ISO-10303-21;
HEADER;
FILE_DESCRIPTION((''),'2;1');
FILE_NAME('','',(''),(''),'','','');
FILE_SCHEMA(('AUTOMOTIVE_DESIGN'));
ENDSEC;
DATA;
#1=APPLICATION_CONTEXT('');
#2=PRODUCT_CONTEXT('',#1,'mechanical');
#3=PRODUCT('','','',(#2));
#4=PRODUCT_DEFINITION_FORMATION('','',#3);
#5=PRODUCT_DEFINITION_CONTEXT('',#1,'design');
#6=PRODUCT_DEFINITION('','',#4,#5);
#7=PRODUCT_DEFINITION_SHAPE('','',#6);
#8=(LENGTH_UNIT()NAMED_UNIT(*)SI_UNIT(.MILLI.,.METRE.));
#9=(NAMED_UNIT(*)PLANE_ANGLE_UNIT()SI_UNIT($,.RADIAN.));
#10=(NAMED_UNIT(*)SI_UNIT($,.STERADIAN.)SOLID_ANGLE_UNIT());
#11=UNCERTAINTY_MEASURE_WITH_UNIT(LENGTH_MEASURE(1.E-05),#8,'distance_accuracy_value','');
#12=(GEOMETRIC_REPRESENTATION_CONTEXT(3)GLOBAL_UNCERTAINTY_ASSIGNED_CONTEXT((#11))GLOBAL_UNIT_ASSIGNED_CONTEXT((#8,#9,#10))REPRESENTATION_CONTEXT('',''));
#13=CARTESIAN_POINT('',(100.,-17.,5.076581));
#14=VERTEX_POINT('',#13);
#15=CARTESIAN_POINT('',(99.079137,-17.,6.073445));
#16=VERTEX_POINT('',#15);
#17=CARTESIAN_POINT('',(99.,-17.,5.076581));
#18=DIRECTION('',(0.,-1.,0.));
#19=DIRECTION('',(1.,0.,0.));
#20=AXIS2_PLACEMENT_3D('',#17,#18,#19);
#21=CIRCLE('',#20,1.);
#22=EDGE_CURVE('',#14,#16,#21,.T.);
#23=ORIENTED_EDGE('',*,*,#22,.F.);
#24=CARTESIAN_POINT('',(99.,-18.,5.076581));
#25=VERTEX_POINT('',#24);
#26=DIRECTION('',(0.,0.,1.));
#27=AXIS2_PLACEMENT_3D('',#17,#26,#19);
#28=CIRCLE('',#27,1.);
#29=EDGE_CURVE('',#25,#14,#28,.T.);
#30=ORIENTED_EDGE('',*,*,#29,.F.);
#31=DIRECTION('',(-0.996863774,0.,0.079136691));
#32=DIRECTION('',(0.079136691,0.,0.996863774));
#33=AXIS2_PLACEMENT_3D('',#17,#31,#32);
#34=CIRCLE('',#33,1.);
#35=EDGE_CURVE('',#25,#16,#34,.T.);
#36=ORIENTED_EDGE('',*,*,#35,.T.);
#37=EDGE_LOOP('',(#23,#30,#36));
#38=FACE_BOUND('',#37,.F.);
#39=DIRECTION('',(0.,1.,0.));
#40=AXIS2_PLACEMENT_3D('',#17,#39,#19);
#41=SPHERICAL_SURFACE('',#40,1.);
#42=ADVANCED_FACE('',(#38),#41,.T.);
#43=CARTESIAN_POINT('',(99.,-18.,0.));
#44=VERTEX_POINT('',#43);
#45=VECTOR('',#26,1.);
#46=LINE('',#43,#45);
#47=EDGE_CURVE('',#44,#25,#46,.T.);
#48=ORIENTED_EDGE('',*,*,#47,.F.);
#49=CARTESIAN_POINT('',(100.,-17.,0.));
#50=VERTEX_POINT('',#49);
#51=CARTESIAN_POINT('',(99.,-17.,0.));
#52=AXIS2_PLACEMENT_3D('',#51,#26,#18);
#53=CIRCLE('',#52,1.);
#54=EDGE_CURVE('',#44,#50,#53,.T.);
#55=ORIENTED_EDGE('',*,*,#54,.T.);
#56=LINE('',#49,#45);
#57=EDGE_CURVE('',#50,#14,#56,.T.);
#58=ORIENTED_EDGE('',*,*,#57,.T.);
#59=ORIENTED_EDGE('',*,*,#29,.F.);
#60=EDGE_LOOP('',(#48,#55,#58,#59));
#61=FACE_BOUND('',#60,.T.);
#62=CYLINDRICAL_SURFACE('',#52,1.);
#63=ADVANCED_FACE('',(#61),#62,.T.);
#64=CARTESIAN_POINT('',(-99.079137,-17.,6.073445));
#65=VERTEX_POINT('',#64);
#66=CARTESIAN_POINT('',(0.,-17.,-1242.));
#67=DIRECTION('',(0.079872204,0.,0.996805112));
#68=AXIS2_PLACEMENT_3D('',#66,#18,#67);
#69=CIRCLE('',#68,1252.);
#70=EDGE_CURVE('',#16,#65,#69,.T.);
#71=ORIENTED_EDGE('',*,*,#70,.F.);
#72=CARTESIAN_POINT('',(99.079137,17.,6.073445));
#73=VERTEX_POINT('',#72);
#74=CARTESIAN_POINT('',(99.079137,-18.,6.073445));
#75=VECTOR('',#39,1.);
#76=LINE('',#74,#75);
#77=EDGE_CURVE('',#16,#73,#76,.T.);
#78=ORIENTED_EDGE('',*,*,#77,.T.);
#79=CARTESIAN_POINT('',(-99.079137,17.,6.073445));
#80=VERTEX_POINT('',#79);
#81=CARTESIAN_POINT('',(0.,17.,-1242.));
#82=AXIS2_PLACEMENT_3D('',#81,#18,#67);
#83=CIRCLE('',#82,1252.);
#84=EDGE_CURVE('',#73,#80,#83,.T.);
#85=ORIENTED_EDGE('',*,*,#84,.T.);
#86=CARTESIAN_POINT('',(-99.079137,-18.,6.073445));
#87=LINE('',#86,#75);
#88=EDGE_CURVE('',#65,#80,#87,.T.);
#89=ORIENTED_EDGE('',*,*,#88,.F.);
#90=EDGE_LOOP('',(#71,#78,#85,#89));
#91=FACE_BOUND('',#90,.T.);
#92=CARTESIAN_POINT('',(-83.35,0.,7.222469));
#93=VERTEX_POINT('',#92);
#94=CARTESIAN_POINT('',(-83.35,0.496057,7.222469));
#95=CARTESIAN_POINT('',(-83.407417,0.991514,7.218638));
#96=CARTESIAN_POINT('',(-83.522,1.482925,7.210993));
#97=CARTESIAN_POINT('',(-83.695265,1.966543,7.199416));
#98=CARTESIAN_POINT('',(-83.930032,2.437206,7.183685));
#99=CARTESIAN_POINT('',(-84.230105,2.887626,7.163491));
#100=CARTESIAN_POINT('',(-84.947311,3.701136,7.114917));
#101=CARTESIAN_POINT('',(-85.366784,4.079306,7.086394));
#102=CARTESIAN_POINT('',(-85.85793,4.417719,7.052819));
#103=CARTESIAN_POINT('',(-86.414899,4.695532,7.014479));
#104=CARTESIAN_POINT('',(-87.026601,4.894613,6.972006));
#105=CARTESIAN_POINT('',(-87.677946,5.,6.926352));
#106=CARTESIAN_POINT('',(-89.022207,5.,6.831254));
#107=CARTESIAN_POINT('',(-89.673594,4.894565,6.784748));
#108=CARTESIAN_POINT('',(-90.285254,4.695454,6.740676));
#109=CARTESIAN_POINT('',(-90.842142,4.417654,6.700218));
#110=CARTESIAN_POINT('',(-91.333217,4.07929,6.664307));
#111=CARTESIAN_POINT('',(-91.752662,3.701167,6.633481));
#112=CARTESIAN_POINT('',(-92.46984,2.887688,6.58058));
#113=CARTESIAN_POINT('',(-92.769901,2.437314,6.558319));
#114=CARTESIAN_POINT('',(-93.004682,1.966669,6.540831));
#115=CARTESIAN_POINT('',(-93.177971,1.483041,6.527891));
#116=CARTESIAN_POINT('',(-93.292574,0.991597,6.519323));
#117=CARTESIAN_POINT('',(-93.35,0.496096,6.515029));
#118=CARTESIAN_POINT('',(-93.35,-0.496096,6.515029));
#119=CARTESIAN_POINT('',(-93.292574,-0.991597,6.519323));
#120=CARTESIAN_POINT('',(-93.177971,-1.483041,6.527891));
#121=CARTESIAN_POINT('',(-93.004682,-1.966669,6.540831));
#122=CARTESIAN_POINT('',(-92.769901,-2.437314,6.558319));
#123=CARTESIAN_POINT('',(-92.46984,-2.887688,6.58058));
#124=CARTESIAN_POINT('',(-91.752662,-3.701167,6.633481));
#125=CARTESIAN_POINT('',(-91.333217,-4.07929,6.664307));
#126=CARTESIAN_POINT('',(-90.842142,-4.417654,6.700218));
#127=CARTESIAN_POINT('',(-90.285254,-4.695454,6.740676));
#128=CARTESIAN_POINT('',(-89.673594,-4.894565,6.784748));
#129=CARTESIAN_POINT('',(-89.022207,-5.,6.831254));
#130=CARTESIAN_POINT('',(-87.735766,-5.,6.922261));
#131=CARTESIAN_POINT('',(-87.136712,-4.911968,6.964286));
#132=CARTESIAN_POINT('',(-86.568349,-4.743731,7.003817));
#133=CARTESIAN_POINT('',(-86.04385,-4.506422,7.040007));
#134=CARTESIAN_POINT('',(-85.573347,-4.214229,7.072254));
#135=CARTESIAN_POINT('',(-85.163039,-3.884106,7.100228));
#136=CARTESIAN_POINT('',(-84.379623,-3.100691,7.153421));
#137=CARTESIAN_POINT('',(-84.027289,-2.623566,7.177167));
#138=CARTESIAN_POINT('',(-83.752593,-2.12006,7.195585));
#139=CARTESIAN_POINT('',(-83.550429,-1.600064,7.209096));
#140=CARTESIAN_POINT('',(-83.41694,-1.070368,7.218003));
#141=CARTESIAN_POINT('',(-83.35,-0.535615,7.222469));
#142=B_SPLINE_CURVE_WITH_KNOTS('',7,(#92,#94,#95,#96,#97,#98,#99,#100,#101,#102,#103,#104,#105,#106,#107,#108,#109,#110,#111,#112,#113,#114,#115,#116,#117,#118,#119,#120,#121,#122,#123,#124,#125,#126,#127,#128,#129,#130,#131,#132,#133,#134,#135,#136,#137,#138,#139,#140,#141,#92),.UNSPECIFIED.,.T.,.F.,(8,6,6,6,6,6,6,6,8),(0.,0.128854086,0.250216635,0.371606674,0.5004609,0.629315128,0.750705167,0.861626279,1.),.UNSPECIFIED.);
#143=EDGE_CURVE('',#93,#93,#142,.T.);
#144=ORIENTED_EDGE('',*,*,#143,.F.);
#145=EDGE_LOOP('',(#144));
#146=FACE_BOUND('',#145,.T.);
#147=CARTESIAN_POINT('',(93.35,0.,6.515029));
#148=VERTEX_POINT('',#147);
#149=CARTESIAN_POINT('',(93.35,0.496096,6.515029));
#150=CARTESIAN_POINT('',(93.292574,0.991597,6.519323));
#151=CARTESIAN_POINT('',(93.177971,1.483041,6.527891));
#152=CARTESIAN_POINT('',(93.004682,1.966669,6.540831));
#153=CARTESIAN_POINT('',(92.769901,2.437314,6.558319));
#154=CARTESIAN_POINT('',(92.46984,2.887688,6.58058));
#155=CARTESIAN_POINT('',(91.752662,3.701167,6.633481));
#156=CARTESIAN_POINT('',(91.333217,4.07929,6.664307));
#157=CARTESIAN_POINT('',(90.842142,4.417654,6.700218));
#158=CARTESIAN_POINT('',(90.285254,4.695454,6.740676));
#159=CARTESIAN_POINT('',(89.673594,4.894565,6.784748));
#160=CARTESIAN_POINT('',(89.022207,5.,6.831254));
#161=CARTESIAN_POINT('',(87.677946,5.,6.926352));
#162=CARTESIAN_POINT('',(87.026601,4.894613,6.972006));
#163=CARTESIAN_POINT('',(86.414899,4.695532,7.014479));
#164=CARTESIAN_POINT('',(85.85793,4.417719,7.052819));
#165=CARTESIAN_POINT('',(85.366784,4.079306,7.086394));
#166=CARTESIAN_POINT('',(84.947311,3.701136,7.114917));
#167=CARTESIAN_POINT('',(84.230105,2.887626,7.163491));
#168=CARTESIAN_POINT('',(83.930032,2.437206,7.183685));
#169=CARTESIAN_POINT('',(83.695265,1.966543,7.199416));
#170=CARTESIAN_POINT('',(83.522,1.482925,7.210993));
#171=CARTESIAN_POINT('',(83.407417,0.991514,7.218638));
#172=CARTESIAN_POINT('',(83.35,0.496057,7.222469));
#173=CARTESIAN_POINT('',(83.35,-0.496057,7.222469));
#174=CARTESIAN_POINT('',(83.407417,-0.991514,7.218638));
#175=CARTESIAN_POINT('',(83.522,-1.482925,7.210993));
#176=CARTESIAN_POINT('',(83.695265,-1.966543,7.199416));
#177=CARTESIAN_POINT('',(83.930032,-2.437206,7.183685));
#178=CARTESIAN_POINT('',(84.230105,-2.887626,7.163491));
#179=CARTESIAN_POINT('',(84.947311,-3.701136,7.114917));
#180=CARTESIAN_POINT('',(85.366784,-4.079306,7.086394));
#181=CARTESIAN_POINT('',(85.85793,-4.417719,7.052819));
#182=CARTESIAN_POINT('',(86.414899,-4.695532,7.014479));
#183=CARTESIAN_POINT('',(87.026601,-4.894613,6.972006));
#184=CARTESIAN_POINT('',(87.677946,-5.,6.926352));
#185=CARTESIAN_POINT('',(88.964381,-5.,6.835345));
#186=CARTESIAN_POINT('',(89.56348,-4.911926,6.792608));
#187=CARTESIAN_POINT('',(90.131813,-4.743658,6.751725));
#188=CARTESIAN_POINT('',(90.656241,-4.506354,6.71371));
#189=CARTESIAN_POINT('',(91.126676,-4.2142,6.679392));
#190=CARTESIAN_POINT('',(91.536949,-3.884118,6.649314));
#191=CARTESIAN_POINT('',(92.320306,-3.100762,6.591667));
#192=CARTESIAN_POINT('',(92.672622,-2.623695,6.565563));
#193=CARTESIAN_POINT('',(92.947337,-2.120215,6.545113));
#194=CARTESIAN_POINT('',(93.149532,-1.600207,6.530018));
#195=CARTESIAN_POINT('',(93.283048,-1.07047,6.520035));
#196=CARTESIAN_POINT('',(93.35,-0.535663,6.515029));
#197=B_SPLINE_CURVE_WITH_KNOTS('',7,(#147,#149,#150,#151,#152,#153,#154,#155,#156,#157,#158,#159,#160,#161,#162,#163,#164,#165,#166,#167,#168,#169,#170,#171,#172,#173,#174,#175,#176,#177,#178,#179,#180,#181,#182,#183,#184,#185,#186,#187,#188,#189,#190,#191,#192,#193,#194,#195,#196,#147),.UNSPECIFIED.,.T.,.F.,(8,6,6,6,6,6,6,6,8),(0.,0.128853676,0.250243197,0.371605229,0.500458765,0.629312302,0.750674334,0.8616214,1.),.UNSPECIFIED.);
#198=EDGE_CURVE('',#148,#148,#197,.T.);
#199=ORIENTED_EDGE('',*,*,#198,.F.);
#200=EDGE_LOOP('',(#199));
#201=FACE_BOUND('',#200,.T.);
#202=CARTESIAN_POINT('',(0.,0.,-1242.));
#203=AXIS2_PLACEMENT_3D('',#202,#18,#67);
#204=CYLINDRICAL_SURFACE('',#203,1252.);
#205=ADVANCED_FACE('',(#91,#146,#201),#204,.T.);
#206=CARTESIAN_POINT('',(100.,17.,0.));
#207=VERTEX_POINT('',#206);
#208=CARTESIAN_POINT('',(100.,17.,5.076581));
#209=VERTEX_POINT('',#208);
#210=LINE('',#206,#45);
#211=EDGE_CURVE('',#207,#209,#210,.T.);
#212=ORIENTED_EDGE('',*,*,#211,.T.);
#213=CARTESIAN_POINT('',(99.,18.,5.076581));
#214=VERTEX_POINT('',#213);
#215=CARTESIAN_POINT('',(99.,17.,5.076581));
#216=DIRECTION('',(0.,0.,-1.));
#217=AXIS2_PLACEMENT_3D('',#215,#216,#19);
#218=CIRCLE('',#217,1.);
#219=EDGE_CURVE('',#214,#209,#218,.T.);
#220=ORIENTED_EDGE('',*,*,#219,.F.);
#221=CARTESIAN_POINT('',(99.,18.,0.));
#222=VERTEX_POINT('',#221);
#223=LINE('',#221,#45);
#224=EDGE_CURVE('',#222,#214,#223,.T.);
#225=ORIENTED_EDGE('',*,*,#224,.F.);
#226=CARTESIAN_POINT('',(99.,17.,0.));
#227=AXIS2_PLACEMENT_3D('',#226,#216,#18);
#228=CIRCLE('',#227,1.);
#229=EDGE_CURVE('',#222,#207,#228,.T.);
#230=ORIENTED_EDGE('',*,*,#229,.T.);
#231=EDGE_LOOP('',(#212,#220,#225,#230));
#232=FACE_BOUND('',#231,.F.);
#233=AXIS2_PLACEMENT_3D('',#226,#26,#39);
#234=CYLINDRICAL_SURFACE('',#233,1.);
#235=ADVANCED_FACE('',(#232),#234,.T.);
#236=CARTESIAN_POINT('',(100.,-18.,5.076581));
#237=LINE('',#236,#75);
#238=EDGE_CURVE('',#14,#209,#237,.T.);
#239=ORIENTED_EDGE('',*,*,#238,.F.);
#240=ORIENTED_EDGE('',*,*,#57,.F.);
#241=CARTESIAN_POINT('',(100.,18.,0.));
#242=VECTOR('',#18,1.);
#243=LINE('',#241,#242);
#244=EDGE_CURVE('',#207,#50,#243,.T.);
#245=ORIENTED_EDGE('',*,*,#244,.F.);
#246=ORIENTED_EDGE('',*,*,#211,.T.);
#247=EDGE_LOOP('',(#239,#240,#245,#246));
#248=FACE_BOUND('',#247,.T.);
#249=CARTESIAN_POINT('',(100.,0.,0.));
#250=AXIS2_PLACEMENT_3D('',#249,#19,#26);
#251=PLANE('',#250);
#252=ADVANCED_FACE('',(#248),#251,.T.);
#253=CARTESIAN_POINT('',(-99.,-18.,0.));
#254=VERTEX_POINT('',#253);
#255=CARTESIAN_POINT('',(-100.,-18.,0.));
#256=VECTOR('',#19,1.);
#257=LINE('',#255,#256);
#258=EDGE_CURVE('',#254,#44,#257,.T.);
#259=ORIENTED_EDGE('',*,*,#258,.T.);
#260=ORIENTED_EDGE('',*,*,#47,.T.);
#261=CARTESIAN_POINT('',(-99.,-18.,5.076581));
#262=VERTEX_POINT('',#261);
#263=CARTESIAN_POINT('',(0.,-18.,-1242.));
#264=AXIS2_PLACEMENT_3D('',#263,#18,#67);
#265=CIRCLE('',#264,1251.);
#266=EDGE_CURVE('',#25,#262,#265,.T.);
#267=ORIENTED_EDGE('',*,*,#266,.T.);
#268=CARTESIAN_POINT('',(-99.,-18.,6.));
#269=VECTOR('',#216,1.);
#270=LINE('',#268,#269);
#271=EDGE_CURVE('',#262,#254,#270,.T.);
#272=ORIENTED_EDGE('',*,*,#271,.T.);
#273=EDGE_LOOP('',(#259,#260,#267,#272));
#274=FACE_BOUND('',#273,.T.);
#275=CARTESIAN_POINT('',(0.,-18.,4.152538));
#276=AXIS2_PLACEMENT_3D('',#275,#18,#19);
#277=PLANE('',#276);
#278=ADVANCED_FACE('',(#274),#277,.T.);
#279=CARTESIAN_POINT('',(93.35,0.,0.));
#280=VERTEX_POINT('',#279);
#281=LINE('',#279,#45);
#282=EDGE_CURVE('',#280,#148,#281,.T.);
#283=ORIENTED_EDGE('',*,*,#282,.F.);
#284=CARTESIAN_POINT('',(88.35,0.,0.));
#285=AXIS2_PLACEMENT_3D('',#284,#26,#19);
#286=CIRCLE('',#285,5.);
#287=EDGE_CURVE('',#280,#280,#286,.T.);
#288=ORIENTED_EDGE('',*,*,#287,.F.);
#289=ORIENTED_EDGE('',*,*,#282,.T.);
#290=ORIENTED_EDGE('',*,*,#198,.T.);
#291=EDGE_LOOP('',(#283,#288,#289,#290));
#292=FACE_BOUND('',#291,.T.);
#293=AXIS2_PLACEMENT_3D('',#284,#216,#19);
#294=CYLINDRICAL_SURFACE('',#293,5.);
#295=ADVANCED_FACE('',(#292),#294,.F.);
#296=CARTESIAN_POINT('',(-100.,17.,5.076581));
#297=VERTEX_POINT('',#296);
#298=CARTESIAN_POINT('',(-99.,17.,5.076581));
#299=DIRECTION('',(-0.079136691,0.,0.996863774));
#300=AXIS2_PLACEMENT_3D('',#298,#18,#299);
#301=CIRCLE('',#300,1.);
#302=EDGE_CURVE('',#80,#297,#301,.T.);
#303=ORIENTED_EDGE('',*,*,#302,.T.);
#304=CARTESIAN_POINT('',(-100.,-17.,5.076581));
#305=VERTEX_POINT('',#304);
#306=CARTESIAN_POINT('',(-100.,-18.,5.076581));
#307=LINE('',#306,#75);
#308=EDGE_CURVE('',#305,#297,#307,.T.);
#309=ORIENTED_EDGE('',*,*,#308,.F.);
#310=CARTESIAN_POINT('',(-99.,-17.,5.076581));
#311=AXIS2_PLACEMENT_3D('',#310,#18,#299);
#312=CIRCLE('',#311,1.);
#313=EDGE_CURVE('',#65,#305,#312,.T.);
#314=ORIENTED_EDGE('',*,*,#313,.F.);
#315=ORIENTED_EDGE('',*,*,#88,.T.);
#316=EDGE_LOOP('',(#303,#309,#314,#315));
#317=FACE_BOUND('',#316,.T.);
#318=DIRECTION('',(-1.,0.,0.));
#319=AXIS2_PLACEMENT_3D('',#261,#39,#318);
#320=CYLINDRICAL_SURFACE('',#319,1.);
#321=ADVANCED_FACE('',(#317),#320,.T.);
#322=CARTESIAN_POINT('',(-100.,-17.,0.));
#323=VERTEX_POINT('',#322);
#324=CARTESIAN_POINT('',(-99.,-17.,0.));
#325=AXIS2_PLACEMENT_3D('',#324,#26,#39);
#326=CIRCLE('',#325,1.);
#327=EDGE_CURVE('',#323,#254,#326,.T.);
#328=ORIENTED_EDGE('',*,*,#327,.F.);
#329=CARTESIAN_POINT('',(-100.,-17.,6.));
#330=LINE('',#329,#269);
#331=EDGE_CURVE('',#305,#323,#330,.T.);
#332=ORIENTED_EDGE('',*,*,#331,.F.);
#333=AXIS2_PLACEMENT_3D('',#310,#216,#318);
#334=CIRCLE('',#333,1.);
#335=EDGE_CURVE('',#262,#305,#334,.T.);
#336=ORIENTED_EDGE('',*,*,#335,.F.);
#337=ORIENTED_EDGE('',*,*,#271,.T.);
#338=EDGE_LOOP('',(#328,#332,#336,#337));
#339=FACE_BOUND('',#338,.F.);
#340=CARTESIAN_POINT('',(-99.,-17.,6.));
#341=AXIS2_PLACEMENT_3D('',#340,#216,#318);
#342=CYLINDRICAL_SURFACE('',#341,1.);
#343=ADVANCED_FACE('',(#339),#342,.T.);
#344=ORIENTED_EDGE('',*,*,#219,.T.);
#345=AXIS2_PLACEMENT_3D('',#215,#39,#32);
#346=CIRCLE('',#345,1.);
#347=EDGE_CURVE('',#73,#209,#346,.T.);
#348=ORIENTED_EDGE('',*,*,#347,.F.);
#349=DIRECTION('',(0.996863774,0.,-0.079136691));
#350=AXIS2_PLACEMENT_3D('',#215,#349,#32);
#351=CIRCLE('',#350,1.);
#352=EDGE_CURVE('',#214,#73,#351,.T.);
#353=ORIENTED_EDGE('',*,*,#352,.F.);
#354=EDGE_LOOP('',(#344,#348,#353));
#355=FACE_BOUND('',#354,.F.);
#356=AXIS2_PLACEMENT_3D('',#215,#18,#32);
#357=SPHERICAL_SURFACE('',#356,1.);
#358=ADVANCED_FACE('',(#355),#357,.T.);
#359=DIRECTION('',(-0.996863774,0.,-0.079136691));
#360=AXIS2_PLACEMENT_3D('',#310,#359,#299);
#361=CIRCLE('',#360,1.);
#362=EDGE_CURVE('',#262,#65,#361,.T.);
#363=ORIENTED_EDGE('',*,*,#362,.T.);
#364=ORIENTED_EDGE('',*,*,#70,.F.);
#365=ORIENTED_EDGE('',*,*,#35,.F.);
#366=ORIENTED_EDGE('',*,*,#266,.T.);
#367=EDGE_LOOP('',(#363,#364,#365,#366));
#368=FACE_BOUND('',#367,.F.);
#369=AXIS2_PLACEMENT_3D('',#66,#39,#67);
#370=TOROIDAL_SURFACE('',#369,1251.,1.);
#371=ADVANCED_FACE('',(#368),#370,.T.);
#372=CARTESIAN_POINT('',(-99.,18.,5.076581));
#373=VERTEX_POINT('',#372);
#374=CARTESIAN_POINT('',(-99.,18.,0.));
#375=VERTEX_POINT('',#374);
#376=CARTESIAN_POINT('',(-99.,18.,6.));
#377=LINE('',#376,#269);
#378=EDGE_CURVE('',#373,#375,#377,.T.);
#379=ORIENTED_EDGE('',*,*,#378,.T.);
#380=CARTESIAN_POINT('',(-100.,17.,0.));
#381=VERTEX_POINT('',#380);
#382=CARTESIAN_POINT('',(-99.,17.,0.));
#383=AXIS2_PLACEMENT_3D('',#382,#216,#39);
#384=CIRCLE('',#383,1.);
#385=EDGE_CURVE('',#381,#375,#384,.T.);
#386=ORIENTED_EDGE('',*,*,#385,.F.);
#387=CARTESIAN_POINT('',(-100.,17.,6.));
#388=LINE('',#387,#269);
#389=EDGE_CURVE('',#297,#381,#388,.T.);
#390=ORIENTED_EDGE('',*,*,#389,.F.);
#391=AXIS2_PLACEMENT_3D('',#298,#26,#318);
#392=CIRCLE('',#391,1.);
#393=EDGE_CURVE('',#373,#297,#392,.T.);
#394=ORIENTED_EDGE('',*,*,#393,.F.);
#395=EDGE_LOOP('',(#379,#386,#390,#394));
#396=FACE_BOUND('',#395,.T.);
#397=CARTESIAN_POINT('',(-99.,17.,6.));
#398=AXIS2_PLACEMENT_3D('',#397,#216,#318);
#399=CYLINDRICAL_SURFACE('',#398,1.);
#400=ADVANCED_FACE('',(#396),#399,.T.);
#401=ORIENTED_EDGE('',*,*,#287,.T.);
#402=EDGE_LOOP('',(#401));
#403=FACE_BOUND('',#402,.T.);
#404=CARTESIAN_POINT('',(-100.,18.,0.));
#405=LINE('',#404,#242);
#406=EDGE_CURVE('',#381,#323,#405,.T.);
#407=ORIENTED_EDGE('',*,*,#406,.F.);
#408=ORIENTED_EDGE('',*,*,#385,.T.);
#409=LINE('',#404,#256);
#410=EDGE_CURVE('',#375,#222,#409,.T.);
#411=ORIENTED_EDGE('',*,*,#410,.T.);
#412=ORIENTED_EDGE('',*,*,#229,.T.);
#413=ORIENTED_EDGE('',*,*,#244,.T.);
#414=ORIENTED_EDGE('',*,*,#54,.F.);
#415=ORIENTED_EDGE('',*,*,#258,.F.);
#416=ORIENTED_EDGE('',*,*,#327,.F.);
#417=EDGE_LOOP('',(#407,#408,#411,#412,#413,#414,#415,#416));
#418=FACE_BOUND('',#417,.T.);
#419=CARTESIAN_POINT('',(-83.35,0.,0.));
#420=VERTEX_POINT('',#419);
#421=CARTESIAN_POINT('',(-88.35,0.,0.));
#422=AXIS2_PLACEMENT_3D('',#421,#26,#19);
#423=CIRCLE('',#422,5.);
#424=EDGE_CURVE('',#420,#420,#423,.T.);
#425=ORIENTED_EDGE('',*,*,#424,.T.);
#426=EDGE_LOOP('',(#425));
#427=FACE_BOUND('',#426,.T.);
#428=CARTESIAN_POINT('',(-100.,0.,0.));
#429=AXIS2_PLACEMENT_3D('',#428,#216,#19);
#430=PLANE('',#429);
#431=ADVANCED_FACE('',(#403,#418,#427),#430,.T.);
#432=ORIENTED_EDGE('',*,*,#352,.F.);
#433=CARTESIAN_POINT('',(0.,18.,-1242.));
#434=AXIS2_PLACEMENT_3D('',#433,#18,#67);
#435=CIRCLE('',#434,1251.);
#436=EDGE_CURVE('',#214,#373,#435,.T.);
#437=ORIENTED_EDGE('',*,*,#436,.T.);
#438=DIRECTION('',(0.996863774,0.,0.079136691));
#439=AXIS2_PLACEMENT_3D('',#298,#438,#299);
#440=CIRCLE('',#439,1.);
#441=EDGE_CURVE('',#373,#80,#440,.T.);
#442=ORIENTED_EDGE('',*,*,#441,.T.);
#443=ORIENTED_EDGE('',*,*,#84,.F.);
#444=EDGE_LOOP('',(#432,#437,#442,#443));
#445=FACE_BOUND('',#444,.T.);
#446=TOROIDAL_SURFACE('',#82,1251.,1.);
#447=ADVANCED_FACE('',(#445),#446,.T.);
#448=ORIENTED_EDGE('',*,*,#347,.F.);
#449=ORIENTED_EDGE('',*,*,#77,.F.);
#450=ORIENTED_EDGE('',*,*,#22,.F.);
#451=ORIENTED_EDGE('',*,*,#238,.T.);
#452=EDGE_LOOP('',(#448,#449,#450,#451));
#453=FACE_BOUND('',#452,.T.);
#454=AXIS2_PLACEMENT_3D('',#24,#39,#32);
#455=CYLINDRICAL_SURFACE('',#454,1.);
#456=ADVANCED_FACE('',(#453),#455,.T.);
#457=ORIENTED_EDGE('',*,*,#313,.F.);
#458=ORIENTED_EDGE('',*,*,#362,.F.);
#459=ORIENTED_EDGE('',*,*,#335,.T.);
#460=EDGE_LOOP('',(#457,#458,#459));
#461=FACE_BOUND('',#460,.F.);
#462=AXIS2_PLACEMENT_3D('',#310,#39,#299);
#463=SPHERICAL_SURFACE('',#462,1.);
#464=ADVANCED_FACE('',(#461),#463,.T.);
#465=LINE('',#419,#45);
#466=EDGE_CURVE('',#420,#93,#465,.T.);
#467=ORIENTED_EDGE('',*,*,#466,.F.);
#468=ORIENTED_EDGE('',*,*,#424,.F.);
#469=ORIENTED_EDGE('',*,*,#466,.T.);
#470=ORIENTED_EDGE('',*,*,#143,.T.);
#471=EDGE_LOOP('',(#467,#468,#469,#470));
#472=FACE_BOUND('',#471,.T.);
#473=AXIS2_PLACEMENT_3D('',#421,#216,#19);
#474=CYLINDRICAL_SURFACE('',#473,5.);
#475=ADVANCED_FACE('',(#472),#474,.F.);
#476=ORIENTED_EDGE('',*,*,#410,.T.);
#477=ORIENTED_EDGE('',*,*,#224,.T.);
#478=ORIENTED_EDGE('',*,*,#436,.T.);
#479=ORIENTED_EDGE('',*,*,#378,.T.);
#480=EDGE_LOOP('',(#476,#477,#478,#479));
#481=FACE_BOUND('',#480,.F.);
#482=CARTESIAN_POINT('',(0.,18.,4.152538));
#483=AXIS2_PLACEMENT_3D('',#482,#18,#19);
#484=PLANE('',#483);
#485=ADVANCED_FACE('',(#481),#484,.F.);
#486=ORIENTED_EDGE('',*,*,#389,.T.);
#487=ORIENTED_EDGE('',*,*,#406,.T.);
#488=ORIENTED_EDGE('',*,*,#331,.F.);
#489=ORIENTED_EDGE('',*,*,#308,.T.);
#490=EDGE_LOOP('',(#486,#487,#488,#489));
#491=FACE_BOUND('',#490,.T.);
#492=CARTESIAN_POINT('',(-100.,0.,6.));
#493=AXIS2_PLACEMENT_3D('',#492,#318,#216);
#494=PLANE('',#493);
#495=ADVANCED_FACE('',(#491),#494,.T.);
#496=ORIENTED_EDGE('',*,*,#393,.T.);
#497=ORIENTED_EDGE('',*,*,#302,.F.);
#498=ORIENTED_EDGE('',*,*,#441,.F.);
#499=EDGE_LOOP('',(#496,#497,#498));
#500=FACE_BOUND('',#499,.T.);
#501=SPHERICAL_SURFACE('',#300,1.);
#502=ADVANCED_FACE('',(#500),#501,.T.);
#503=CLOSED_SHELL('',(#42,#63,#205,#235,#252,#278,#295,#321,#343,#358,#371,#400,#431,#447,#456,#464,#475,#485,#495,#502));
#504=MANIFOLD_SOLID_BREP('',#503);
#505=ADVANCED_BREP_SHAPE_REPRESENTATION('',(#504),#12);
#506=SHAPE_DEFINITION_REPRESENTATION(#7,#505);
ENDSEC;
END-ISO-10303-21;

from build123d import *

# Parameters (mm, degrees)
F1_DEPTH      = 18
F1_DEPTH_BACK = 18
F2_R          = 5
F3_DEPTH      = 25
F4_R          = 1


with BuildPart() as f1:
    # F0 (on Front) → F1 (new body, two sides)
    with BuildSketch(Plane.XZ) as f1_sk:
        with BuildLine():
            Line((-100, 6), (-100, 0))
            Line((-100, 0), (100, 0))
            Line((100, 0), (100, 6))
            ThreePointArc((100, 6), (0, 10), (-100, 6))
        make_face()
    extrude(amount=F1_DEPTH)
    extrude(f1_sk.sketch, amount=-F1_DEPTH_BACK)

    # F2 (on Top) → F3 (cut)
    with BuildSketch(Plane.XY):
        with Locations((-88.35, 0)):
            Circle(F2_R)
        with Locations((88.35, 0)):
            Circle(F2_R)
    extrude(amount=F3_DEPTH, mode=Mode.SUBTRACT)

    # F4
    f4_edges = [f1.edges().sort_by_distance(p)[0] for p in [
        (-100, 0, 6),
        (0, -18, 10),
        (100, 0, 6),
        (0, 18, 10),
        (100, -18, 3),
        (100, 18, 3),
        (-100, 18, 3),
        (-100, -18, 3),
    ]]
    fillet(f4_edges, radius=F4_R)


solid = f1.part
